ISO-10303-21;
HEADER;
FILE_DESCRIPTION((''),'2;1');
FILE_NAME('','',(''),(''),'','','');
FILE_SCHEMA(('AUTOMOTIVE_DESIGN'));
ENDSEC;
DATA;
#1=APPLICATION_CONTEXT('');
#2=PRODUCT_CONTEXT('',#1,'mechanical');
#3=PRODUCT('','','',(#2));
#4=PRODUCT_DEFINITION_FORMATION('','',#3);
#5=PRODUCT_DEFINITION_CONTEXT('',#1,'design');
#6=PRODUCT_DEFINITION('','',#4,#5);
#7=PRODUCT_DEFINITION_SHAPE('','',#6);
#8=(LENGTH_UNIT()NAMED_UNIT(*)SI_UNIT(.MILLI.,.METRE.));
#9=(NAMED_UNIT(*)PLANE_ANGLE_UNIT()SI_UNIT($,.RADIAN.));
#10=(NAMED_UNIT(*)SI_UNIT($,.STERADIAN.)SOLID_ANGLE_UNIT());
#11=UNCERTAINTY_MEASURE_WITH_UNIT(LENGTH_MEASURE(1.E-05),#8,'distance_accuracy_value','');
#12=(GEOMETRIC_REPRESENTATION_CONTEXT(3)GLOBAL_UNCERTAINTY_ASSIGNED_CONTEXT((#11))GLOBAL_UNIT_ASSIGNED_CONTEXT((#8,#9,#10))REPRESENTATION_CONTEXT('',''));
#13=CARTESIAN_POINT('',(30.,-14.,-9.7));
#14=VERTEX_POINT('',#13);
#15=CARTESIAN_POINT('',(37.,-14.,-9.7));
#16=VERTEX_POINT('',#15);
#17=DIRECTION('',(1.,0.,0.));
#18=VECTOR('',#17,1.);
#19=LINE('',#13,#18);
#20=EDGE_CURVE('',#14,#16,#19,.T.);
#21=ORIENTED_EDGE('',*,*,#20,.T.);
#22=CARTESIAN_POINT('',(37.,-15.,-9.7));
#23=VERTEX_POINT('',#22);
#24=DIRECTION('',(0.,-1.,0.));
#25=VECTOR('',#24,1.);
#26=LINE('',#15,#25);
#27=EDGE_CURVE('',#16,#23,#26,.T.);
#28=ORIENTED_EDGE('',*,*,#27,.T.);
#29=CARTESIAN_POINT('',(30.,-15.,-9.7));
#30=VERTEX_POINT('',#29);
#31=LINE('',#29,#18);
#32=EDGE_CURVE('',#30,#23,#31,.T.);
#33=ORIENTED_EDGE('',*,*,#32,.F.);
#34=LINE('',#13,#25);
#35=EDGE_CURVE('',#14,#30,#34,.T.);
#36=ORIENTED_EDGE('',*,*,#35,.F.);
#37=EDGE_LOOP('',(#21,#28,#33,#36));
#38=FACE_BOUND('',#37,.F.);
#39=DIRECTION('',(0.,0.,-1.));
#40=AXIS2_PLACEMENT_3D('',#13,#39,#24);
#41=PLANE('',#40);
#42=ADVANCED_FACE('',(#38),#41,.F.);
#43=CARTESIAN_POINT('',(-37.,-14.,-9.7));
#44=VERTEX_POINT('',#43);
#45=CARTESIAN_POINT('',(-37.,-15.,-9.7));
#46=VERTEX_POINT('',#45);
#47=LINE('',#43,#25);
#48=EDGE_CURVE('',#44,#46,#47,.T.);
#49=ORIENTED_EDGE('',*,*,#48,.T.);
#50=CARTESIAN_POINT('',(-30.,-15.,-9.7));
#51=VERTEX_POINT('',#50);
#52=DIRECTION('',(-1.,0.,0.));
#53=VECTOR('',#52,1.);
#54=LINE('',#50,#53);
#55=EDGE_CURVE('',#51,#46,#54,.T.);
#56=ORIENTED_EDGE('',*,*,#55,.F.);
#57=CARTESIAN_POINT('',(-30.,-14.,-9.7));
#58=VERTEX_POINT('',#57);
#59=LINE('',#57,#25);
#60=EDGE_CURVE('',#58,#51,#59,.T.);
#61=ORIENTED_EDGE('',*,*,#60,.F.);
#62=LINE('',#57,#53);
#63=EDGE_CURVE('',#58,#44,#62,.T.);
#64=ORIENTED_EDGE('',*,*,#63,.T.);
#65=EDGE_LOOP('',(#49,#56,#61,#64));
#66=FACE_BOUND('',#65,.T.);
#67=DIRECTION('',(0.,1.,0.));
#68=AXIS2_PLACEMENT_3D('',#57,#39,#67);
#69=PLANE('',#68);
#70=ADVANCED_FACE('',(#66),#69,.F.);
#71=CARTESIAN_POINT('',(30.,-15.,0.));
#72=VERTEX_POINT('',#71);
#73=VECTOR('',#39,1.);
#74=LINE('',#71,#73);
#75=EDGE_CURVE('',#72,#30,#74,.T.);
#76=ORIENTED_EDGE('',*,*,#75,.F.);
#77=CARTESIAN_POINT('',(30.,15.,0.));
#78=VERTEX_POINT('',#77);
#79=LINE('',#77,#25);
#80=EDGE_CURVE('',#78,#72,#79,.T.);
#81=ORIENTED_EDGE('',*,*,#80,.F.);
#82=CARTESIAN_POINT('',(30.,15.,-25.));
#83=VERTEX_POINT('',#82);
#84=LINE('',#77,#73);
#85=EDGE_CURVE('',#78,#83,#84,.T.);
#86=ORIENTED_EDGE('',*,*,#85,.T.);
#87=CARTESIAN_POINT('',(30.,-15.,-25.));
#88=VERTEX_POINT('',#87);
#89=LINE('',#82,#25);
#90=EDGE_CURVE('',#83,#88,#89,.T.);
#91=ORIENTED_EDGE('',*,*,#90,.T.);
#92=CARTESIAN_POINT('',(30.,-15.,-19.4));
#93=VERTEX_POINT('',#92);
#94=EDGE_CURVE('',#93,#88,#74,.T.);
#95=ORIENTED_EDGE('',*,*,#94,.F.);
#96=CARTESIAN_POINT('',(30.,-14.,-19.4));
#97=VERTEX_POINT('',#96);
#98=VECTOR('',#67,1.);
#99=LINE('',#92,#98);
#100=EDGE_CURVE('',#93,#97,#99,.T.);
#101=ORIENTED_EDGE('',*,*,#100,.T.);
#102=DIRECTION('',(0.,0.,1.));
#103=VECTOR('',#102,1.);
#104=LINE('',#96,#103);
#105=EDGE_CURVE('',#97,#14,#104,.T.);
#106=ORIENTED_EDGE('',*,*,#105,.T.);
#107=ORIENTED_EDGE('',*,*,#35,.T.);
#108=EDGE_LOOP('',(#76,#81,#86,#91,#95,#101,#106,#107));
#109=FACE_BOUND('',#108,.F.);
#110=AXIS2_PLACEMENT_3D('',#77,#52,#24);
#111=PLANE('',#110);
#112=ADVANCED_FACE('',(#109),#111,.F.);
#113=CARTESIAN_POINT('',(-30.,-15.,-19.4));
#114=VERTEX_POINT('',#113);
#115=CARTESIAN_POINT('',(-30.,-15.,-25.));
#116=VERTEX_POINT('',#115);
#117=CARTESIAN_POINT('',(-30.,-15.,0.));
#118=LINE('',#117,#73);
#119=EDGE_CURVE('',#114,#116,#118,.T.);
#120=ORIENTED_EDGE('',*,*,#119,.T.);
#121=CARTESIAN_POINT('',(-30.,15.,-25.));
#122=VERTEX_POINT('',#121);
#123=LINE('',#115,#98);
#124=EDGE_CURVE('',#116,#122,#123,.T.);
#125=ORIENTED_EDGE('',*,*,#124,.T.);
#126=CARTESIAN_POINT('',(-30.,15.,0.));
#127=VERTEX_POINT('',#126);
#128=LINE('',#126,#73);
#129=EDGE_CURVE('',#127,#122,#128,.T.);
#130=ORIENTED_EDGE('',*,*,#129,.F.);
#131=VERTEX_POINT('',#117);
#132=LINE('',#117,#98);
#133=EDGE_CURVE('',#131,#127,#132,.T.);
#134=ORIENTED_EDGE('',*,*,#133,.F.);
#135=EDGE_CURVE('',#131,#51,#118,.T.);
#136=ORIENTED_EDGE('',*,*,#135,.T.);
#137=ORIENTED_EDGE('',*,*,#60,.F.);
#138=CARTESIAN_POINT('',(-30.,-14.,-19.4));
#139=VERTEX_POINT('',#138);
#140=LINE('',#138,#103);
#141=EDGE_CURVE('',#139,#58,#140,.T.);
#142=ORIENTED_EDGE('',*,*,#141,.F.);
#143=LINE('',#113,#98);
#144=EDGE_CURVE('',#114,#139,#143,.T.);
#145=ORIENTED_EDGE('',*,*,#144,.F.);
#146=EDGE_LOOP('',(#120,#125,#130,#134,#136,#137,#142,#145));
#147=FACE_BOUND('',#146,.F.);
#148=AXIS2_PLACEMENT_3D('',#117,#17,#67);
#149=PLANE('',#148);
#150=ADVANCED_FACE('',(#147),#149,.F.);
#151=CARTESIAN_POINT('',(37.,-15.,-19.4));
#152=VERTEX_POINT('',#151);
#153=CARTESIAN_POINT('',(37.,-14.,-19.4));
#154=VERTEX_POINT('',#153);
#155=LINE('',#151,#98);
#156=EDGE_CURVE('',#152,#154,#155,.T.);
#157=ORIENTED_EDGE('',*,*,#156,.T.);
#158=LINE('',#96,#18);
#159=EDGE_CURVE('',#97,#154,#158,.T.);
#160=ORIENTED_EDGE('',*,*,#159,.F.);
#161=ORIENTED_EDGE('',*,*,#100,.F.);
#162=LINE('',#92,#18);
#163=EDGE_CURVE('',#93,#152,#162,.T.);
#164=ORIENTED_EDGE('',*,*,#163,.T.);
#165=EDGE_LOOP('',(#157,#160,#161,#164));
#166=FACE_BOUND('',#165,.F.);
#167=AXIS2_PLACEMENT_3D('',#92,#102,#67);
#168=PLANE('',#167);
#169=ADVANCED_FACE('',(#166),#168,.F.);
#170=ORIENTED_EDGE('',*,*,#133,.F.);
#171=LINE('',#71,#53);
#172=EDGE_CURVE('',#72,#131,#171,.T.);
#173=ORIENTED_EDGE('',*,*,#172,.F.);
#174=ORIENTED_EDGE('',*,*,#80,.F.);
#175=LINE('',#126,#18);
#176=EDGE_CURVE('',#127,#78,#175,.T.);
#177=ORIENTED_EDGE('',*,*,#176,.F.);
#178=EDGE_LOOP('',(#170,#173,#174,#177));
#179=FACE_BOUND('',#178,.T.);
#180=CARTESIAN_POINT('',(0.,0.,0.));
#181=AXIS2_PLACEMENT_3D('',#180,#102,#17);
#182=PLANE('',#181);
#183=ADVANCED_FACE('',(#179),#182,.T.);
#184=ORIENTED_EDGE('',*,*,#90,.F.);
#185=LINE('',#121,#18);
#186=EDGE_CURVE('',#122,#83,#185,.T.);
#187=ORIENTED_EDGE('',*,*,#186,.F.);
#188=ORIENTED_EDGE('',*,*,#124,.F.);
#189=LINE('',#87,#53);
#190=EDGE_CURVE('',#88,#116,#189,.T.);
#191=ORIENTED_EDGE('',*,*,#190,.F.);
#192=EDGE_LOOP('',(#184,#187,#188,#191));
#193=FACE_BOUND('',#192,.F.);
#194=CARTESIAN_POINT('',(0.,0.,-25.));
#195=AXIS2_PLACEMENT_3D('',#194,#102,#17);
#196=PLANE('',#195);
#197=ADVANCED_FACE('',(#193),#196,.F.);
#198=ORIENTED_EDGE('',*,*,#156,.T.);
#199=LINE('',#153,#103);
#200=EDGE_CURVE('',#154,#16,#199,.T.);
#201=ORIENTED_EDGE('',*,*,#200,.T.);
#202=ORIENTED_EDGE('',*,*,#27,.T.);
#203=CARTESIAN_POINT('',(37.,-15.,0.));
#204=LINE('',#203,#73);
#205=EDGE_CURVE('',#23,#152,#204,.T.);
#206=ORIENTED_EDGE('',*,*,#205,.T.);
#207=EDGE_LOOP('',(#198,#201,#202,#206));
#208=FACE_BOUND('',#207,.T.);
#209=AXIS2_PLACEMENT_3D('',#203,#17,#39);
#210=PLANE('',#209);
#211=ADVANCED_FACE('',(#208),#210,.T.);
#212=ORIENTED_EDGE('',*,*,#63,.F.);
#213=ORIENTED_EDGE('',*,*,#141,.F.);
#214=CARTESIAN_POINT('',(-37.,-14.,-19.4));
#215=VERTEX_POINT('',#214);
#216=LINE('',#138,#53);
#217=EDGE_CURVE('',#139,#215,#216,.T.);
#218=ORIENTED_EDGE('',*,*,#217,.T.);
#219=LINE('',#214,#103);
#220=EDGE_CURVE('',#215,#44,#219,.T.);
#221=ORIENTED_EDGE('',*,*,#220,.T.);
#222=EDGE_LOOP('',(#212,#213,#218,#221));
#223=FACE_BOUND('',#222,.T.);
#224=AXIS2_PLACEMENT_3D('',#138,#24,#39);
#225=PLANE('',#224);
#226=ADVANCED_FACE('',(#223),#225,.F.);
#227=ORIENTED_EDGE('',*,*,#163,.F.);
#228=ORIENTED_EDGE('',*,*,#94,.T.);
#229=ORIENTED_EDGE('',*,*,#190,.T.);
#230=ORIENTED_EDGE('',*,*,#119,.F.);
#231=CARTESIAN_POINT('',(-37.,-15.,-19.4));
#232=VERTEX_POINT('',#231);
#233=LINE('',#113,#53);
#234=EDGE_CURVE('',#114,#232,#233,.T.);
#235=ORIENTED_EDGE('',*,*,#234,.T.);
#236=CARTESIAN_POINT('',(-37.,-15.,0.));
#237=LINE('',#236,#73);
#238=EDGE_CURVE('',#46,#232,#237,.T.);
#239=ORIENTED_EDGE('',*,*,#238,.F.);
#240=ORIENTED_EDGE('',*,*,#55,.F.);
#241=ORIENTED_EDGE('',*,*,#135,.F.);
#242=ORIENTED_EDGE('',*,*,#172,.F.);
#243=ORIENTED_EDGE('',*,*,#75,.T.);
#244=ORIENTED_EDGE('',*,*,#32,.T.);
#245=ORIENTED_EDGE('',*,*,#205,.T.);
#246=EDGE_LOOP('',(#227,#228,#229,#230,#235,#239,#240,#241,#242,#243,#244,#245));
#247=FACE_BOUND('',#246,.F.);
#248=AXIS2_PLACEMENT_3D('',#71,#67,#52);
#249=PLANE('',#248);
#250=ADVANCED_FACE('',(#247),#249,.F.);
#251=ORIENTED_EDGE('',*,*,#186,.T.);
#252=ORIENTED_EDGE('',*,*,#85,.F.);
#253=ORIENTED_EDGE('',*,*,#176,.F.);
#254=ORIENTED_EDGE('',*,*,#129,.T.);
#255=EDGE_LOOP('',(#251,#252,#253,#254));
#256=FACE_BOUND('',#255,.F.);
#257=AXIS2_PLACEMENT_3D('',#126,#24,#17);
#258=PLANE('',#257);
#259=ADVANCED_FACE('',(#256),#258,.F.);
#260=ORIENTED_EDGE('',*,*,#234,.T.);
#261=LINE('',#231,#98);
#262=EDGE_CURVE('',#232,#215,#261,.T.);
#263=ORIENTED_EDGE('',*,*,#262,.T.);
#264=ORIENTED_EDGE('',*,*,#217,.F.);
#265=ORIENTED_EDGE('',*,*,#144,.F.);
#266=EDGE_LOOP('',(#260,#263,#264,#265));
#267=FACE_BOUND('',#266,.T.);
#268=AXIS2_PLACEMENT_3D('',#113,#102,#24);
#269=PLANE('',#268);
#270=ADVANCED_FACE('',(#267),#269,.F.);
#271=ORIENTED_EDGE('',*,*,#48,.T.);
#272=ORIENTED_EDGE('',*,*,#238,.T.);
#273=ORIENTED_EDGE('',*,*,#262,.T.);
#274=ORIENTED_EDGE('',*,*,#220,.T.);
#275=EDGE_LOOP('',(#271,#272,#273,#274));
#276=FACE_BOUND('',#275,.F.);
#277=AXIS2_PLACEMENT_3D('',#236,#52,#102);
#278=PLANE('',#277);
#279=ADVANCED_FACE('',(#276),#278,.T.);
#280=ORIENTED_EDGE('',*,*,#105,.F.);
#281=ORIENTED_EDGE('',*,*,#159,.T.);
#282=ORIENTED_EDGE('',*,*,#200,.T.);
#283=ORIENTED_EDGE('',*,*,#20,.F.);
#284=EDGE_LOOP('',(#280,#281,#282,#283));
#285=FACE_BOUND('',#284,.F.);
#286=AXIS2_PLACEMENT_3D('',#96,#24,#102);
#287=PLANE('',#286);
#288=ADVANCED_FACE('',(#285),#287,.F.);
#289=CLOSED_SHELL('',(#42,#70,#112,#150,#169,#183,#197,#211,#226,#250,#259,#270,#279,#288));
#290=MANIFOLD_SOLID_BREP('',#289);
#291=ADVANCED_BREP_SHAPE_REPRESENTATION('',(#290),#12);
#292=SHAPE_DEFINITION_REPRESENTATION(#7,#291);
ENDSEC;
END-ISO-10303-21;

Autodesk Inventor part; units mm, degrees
ref_plane "YZ Plane" through (0, 0, 0) normal (1, 0, 0) x (0, 1, 0)
ref_plane "XZ Plane" through (0, 0, 0) normal (0, 1, 0) x (-1, 0, 0)
ref_plane "XY Plane" through (0, 0, 0) normal (0, 0, 1) x (1, 0, 0)
sketch "Skizze1" plane through (0, 0, 0) normal (0, 0, 1) x (1, 0, 0)
  line L0 (30, -15) -> (-30, -15)
  line L1 (-30, -15) -> (-30, 15)
  line L2 (-30, 15) -> (30, 15)
  line L3 (30, 15) -> (30, -15)
  point P0 (0, 0)
  point P1 (-30, 0)
  point P2 (0, 15)
  dimension "d0" = 30
  dimension "d1" = 60
extrude "Extrusion1" add sketch "Skizze1" against normal blind 25
sketch "Skizze4" plane through (30, -15, 0) normal (1, 0, 0) x (0, 0, -1)
  line L0 (0, 0) -> (0, 30) projected
  line L1 (0, 0) -> (25, 0) projected
  line L2 (25, 0) -> (19.4, 0)
  line L3 (9.7, 0) -> (19.4, 0)
  line L4 (19.4, 0) -> (19.4, 1)
  line L5 (19.4, 1) -> (9.7, 1)
  line L6 (9.7, 1) -> (9.7, 0)
  point P0 (0, 15)
extrude "Extrusion3" add sketch "Skizze4" along normal blind 7
mirror "Spiegeln1" about plane through (0, 0, 0) normal (1, 0, 0) of "Extrusion3"
sketch "Skizze5" plane through (30, -14, -9.7) normal (0, 1, 0) x (1, 0, 0)
  line L0 (7, 0) -> (7, 9.7) projected
  line L1 (0, -9.7) -> (0, 15.3) projected
  line L2 (0, -9.7) -> (0, 0) projected
  line L3 (-60, 9.7) -> (-60, 0) projected
  line L4 (-60, 9.7) -> (-67, 9.7) projected
  line L5 (-67, 9.7) -> (-67, 0) projected
  point P0 (-30, -9.7)
  point P1 (3.5, 4.7412)
  point P2 (-63.5, 4.85)
sketch "Skizze6" plane through (-30, 15, 0) normal (0, 1, 0) x (1, 0, 0)
  line L0 (14.9251, 22.2946) -> (62.1209, 22.2946) construction
  line L1 (62.1209, 22.2946) -> (62.1209, 17.9416) construction
  line L2 (62.1209, 17.9416) -> (14.9251, 17.9416) construction
  line L3 (14.9251, 17.9416) -> (14.9251, 22.2946) construction
  point P0 (30, 0)
properties part number "Steuereinheit" material "Gold"
